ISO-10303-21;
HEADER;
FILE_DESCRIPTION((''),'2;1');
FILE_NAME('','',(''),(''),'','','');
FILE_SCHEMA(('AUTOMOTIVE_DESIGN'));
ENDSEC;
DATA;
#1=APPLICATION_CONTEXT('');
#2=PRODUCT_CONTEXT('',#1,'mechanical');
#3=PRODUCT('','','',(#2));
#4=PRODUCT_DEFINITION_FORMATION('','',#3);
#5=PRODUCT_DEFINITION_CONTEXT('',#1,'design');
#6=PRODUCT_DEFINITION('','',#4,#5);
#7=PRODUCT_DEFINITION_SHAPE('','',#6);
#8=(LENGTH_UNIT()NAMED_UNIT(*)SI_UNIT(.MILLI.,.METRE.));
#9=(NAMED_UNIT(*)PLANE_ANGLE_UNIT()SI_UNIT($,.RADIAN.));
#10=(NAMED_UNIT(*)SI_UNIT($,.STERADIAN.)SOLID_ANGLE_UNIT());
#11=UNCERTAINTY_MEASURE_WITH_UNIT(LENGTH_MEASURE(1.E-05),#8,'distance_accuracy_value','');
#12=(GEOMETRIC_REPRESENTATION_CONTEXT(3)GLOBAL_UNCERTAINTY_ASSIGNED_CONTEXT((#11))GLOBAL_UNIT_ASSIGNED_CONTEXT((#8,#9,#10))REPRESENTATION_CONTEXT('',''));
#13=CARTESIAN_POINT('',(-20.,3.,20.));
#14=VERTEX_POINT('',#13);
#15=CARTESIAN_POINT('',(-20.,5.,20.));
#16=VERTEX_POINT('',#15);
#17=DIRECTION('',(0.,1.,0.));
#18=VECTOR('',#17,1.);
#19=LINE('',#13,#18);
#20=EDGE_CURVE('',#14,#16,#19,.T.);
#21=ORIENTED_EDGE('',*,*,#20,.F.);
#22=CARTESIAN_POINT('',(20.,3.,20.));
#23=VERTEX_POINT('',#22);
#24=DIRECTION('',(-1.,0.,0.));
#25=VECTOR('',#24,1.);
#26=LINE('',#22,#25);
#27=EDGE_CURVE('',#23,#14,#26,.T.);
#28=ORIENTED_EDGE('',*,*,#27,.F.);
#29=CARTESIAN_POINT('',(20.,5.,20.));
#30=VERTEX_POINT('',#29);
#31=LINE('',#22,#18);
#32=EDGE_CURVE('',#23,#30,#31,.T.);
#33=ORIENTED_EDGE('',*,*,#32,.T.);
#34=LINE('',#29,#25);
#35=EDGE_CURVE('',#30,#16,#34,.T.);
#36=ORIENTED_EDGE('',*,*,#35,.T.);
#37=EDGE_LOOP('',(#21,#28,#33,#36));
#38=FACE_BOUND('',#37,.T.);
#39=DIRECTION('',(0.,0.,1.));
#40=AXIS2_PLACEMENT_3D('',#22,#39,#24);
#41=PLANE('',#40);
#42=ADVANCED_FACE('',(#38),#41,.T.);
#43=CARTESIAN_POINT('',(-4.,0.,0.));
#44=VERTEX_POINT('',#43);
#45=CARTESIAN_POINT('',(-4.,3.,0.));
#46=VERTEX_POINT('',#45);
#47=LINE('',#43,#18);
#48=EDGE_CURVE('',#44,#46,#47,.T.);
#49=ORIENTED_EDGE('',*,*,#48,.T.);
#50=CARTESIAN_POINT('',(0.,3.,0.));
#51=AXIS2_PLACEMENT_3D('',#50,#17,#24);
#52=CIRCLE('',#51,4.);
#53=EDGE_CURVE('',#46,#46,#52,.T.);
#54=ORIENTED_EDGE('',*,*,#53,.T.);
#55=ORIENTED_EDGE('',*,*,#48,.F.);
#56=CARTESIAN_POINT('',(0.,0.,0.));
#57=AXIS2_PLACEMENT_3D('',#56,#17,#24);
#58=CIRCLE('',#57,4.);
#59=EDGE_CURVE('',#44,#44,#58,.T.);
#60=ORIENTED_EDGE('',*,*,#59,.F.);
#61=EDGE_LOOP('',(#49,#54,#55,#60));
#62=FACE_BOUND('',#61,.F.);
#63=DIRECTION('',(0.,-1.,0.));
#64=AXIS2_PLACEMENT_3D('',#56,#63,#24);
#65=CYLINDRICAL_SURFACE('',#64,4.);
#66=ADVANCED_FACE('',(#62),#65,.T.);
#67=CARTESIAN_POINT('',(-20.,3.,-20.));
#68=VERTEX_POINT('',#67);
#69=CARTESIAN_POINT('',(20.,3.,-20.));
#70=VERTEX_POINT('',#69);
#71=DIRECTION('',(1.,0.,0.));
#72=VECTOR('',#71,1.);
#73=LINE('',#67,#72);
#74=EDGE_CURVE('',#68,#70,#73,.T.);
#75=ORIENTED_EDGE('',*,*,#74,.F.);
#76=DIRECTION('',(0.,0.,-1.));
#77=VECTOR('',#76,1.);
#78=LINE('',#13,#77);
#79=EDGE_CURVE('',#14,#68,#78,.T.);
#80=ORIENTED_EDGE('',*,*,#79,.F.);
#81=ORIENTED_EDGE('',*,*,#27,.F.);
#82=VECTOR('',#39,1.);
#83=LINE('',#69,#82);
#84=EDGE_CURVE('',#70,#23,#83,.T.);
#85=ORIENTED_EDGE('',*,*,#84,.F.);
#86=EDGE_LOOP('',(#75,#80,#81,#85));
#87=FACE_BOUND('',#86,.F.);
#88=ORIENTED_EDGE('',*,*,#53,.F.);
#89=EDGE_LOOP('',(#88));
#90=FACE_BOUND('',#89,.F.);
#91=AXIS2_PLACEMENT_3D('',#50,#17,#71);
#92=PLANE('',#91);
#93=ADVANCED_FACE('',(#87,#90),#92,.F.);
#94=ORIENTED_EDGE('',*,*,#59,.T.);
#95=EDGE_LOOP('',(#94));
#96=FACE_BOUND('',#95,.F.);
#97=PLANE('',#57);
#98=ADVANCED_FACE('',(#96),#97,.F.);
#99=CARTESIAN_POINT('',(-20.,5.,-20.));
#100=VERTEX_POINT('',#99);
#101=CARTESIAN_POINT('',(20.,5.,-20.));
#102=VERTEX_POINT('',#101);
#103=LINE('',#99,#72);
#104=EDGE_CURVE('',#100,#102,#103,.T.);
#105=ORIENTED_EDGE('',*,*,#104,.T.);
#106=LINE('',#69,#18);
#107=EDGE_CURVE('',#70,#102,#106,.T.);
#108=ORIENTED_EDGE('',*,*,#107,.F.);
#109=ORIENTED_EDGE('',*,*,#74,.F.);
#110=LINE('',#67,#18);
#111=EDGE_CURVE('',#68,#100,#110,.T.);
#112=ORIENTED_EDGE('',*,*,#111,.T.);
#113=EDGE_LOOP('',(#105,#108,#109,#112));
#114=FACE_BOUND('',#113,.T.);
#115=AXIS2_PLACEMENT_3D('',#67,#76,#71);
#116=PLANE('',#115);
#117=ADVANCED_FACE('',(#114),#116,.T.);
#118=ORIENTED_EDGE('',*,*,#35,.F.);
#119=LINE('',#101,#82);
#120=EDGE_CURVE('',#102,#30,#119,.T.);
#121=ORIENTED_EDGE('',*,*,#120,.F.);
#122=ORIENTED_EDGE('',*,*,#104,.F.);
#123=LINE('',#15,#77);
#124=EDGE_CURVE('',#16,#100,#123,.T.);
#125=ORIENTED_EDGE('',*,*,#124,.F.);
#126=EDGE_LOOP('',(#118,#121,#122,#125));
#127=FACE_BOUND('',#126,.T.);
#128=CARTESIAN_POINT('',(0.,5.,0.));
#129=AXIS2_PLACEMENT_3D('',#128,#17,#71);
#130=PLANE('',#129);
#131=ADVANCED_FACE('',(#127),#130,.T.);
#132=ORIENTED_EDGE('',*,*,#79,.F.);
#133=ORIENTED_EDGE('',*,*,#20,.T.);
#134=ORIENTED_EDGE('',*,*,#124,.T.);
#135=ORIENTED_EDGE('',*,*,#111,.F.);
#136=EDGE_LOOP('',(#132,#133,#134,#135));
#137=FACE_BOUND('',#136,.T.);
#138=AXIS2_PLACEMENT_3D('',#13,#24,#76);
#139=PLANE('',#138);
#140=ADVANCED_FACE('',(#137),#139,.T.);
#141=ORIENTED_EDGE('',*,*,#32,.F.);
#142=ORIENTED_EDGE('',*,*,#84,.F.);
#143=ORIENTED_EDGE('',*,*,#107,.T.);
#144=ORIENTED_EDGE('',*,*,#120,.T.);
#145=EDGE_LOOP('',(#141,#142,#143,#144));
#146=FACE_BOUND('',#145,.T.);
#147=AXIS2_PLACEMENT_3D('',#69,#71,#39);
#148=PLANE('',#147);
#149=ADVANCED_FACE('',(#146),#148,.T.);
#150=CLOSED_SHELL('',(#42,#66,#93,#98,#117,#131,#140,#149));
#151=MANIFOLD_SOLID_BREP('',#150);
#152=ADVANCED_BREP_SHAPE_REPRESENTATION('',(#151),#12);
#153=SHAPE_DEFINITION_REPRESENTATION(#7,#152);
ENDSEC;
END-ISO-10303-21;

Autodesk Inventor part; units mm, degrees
ref_plane "YZ Plane" through (0, 0, 0) normal (1, 0, 0) x (0, 1, 0)
ref_plane "XZ Plane" through (0, 0, 0) normal (0, 1, 0) x (-1, 0, 0)
ref_plane "XY Plane" through (0, 0, 0) normal (0, 0, 1) x (1, 0, 0)
sketch "Sketch46" plane through (0, 0, 0) normal (0, 1, 0) x (-1, 0, 0)
  circle A0 centre (0, 0) radius 4
  dimension "d158" = 8
extrude "Extrusion35" add sketch "Sketch46" along normal blind 3
sketch "Sketch47" plane through (0, 3, 0) normal (0, 1, 0) x (1, 0, 0)
  line L0 (-20, 20) -> (20, 20)
  line L1 (20, 20) -> (20, -20)
  line L2 (20, -20) -> (-20, -20)
  line L3 (-20, -20) -> (-20, 20)
  line L4 (-20, 20) -> (20, -20) construction
  line L5 (20, 20) -> (-20, -20) construction
  point P0 (0, 0)
  dimension "d161" = 40
  dimension "d162" = 40
extrude "Extrusion36" add sketch "Sketch47" along normal blind 2
properties part number "Front_base"
